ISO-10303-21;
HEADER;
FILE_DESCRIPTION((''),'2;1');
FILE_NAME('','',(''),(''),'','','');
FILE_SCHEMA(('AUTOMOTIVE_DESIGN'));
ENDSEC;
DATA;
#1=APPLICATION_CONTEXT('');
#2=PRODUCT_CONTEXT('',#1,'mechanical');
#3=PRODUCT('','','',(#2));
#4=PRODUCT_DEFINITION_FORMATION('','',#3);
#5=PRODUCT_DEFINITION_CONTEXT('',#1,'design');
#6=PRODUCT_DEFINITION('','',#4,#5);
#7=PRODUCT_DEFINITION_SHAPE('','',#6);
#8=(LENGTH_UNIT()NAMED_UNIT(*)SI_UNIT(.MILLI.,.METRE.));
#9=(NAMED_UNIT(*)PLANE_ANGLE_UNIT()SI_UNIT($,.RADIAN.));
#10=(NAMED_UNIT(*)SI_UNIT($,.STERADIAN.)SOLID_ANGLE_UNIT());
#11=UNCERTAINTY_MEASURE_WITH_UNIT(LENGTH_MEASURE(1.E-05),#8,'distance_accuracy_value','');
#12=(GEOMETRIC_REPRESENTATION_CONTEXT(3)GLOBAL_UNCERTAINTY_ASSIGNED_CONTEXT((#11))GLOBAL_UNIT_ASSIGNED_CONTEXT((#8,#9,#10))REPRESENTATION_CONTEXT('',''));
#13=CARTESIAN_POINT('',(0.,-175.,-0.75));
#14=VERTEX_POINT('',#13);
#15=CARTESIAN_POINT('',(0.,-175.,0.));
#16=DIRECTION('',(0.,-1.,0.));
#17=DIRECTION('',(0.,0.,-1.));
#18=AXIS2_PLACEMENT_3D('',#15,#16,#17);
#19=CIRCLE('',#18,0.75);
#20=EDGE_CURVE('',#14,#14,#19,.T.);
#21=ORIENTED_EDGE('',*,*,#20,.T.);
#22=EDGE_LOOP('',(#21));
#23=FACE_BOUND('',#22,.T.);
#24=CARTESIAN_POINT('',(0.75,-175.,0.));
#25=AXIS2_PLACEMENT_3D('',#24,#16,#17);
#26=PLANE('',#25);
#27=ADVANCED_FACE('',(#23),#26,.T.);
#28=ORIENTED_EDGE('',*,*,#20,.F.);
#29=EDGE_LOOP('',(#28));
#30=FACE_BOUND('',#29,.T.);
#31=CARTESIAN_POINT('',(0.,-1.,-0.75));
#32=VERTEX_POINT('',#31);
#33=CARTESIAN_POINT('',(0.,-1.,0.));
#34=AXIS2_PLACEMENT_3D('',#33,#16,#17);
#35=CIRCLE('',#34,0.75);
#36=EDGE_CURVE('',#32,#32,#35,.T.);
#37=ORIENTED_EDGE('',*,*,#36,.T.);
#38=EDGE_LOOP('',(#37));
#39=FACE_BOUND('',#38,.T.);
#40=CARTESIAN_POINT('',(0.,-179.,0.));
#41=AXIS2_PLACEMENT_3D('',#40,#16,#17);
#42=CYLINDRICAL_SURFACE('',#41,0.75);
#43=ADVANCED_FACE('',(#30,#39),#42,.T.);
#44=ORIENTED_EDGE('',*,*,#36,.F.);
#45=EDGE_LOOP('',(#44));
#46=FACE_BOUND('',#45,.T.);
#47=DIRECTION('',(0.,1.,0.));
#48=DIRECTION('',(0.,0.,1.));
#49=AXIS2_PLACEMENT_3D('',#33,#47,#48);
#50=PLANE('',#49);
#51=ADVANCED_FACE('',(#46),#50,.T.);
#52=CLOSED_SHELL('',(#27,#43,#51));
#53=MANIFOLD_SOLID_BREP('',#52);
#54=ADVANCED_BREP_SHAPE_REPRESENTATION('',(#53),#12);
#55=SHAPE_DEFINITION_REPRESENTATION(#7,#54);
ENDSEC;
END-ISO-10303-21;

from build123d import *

# Parameters (mm, degrees)
SKETCH1_W = 0.75
SKETCH1_H = 174


with BuildPart() as part:
    # Sketch1 → Varilla_carbono (revolve)
    with BuildSketch(Plane.XY, mode=Mode.PRIVATE) as varilla_carbono_sk:
        with Locations((0.375, -88)):
            Rectangle(SKETCH1_W, SKETCH1_H)
    revolve(varilla_carbono_sk.sketch.rotate(Axis((0, -179, 0), (0, 1, 0)), 90), axis=Axis((0, -179, 0), (0, 1, 0)))


solid = part.part
